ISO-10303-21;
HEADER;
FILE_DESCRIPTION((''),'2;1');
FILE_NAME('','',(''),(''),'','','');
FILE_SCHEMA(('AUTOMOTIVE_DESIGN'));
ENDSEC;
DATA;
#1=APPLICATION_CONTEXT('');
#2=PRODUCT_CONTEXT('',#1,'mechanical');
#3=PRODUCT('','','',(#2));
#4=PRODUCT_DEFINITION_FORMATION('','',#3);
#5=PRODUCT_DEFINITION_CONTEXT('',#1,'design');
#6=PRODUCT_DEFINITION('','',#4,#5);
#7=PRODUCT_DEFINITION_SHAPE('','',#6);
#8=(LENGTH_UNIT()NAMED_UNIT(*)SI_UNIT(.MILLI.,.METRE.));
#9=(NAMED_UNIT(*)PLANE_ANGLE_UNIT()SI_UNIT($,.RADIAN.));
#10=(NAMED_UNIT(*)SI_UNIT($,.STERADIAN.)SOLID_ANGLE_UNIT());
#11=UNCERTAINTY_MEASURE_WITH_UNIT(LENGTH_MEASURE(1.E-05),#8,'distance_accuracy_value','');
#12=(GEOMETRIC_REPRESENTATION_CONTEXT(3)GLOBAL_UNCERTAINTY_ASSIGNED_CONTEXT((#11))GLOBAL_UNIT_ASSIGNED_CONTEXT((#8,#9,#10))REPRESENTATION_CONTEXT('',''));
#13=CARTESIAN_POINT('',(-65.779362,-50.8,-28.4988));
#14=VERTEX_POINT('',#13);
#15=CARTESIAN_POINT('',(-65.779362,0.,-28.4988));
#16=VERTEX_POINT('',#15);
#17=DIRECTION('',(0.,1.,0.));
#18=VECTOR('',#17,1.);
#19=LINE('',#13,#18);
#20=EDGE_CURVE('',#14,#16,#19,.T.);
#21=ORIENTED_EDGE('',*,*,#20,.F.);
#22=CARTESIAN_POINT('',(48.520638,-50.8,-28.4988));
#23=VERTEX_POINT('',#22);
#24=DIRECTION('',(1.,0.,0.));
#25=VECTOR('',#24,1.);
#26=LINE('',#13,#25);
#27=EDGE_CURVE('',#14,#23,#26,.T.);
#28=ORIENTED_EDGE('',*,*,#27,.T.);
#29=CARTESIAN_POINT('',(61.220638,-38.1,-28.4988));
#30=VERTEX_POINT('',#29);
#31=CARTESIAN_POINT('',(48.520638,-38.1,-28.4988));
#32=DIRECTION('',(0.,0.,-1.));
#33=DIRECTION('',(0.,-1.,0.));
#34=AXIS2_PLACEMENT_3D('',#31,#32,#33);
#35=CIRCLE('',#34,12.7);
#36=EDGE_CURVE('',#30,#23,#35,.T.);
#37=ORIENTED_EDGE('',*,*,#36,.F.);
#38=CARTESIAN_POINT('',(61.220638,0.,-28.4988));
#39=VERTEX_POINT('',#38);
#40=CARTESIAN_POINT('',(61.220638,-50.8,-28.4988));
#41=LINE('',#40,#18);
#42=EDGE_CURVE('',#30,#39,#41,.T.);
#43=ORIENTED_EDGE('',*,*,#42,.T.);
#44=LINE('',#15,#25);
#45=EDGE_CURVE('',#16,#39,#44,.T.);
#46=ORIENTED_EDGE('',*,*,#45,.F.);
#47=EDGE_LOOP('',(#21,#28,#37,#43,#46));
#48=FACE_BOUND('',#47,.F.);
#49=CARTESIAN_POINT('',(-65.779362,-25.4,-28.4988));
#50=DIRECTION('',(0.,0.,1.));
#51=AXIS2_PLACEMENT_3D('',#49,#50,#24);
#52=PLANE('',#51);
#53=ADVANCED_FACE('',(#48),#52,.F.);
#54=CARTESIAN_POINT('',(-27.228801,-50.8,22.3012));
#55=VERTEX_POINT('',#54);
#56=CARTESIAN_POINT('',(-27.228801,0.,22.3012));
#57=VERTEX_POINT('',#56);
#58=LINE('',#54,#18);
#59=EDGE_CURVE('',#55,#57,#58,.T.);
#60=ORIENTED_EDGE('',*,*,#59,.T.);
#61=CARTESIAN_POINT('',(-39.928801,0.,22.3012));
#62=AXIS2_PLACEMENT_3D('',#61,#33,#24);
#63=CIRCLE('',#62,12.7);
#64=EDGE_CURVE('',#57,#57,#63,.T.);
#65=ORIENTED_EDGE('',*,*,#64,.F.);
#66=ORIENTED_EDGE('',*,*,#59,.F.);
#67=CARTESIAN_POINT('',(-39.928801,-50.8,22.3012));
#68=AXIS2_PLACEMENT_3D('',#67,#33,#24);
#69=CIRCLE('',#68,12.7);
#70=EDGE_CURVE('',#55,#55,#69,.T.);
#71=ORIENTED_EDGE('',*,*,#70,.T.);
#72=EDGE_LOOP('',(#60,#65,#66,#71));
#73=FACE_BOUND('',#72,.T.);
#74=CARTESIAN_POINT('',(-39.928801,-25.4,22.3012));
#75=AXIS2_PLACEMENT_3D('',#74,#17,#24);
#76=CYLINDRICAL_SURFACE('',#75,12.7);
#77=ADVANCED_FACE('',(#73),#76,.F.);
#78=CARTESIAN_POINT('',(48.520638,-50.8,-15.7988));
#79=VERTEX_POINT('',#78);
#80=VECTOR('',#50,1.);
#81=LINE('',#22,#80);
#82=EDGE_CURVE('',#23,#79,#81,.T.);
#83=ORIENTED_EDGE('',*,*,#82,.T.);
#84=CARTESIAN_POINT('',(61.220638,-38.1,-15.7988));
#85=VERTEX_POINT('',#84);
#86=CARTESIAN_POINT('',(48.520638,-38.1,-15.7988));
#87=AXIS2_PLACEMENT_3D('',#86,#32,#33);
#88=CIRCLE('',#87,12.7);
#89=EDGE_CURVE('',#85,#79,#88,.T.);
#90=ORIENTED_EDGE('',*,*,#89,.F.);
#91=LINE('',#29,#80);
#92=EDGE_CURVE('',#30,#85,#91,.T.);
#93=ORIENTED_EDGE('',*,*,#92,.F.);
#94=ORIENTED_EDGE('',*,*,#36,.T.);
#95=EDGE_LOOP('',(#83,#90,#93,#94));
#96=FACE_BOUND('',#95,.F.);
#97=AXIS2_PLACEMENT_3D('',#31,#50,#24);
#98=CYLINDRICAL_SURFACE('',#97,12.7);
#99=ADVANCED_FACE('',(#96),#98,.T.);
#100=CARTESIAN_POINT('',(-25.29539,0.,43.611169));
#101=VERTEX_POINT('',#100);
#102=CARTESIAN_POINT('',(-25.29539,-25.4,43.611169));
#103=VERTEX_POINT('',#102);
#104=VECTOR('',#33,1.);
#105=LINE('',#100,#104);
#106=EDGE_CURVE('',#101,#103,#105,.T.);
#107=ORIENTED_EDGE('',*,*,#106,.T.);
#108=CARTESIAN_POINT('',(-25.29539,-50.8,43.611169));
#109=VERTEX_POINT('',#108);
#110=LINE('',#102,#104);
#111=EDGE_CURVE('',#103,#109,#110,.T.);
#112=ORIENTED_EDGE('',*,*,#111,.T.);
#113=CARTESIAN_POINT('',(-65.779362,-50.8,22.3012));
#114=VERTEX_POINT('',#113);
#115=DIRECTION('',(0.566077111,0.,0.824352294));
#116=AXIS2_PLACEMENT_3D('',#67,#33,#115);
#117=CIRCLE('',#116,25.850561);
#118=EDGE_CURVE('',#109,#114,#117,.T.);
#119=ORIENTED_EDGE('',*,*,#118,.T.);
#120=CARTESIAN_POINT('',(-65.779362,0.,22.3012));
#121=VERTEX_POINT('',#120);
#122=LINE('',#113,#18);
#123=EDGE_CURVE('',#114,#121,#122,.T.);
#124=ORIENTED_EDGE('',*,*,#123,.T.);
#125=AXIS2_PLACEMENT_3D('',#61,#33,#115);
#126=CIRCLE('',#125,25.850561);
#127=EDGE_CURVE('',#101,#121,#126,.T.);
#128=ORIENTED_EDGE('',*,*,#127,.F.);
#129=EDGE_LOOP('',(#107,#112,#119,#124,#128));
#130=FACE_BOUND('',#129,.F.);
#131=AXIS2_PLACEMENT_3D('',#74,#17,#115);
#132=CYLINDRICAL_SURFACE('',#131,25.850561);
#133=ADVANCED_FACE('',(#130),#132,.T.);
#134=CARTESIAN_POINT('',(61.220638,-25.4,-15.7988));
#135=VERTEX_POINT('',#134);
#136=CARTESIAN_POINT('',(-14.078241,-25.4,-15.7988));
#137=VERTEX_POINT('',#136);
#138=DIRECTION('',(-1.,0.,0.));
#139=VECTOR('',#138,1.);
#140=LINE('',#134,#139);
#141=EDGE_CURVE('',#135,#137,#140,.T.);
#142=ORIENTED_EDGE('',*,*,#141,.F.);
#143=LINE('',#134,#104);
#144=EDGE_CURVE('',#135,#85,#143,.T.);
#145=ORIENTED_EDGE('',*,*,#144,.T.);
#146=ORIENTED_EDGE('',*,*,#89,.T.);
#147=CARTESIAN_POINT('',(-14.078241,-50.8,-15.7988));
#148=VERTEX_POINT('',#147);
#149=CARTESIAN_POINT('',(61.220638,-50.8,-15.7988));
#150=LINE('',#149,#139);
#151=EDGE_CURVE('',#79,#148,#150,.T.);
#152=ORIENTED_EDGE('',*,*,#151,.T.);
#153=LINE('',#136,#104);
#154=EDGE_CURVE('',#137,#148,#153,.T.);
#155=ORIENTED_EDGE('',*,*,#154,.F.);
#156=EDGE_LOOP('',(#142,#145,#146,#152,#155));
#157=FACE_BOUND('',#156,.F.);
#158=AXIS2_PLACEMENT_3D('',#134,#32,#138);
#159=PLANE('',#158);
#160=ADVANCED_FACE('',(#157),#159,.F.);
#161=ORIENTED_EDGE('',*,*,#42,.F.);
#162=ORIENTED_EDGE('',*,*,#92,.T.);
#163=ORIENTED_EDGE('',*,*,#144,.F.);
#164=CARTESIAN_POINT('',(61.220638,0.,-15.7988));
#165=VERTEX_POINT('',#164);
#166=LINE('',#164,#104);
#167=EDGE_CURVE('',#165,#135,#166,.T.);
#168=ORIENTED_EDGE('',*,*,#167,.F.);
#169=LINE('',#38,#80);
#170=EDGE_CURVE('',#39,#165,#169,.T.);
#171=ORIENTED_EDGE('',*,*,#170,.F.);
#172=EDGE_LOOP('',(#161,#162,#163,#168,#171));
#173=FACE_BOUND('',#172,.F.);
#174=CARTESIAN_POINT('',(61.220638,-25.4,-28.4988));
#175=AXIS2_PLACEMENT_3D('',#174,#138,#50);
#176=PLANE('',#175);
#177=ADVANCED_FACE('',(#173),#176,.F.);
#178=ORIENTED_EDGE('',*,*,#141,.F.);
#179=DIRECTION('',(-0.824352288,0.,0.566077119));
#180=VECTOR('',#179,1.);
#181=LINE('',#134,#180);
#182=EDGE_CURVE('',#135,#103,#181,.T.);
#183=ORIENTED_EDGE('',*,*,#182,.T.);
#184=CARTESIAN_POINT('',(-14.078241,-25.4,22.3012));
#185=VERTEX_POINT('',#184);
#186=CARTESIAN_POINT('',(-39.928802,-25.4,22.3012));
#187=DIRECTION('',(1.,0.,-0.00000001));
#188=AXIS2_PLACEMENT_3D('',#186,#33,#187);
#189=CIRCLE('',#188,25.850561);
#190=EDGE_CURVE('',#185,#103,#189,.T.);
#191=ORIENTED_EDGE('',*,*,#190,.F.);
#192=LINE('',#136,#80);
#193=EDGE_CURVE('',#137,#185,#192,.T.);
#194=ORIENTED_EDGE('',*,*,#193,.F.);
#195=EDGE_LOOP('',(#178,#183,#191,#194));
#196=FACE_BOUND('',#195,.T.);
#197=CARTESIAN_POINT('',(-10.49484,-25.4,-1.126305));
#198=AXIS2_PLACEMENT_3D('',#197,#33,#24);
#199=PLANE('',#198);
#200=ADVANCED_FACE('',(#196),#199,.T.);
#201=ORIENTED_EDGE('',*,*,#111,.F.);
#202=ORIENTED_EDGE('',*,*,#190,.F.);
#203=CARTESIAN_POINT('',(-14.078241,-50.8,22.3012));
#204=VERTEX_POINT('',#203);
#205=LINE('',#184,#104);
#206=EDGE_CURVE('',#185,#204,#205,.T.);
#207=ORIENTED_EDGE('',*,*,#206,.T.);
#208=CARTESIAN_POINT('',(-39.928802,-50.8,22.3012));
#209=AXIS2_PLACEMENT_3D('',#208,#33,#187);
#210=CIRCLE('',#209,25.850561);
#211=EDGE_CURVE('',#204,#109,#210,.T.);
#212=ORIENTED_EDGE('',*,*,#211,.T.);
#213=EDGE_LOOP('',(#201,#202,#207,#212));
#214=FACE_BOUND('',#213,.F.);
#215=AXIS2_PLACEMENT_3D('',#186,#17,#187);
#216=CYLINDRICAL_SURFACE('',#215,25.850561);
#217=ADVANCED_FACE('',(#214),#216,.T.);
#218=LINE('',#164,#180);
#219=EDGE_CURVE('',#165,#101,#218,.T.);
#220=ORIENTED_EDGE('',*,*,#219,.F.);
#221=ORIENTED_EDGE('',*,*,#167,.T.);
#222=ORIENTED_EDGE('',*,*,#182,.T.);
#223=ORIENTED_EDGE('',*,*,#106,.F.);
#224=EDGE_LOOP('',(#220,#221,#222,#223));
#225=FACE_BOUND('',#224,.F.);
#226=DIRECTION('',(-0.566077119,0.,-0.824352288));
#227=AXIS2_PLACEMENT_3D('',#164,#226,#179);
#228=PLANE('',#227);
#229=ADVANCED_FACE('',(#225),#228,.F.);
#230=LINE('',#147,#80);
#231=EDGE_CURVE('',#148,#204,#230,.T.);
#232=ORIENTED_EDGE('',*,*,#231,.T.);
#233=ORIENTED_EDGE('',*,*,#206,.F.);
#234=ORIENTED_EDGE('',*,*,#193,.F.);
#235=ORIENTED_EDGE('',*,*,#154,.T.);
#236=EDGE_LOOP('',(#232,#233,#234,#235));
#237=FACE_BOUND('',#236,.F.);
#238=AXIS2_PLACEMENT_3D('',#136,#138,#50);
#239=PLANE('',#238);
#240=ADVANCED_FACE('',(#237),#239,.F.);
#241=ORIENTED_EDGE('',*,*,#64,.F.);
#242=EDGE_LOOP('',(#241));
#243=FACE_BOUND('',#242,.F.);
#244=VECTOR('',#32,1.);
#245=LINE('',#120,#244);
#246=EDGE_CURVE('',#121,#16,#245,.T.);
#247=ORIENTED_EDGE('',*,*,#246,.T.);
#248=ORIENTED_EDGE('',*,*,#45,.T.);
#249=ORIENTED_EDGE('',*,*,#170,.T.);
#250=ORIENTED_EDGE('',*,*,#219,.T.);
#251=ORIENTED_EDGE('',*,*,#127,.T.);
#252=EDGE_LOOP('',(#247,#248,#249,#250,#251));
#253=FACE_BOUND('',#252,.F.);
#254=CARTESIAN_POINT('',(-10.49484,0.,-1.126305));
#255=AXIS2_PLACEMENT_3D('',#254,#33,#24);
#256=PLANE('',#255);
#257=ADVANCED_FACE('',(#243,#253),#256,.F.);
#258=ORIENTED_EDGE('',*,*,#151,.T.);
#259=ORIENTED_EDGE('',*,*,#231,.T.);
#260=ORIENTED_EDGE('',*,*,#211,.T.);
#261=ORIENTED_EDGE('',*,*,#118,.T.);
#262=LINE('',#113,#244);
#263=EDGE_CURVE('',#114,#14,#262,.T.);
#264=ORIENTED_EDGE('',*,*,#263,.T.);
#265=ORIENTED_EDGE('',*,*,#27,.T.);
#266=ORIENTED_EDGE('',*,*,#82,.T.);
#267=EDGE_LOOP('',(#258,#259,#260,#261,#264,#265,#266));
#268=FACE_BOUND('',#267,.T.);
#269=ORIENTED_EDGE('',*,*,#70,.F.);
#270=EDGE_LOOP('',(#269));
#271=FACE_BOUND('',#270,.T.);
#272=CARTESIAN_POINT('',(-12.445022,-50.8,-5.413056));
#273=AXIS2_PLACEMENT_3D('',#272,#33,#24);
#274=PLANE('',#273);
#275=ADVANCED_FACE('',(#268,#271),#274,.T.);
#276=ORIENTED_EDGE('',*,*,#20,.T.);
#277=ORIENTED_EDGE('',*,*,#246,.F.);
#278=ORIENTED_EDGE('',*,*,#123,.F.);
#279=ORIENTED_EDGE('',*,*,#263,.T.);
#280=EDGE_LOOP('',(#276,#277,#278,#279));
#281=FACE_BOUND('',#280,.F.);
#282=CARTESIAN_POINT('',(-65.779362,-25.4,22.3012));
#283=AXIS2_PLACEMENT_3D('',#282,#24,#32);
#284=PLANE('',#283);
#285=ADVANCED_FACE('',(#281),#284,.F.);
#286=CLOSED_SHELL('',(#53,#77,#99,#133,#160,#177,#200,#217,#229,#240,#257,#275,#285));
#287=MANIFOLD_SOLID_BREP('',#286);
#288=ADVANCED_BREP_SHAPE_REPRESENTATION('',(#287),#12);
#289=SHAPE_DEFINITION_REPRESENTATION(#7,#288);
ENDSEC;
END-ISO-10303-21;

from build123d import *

# Parameters (mm, degrees)
F0_R     = 12.7
F1_DEPTH = 25.4
F2_R     = 12.7
F3_DEPTH = 25.4
F4_R     = 12.7


with BuildPart() as f1:
    # F0 (on Front) → F1 (new body)
    with BuildSketch(Plane.XZ):
        with BuildLine():
            Line((61.220638, -15.7988), (-25.29539, 43.611169))
            ThreePointArc((-25.29539, 43.611169), (-51.969765, 45.176223), (-65.779362, 22.3012))
            Line((-65.779362, 22.3012), (-65.779362, -28.4988))
            Line((-65.779362, -28.4988), (61.220638, -28.4988))
            Line((61.220638, -28.4988), (61.220638, -15.7988))
        make_face()
        with Locations((-39.928801, 22.3012)):
            Circle(F0_R, mode=Mode.SUBTRACT)
    extrude(amount=F1_DEPTH)

    # F2 (on face) → F3 (join)
    with BuildSketch(Plane.XZ.offset(25.4)):
        with BuildLine():
            Line((61.220638, -28.4988), (61.220638, -15.7988))
            Line((61.220638, -15.7988), (-14.078241, -15.7988))
            Line((-14.078241, -15.7988), (-14.078241, 22.3012))
            ThreePointArc((-14.078241, 22.3012), (-17.053778, 34.342163), (-25.29539, 43.611169))
            ThreePointArc((-25.29539, 43.611169), (-51.969765, 45.176223), (-65.779362, 22.3012))
            Line((-65.779362, 22.3012), (-65.779362, -15.7988))
            Line((-65.779362, -15.7988), (-65.779362, -28.4988))
            Line((-65.779362, -28.4988), (61.220638, -28.4988))
        make_face()
        with Locations((-39.928801, 22.3012)):
            Circle(F2_R, mode=Mode.SUBTRACT)
    extrude(amount=F3_DEPTH)

    # F4
    f4_edges = [f1.edges().sort_by_distance(p)[0] for p in [
        (61.220638, -50.8, -22.1488),
    ]]
    fillet(f4_edges, radius=F4_R)


solid = f1.part
